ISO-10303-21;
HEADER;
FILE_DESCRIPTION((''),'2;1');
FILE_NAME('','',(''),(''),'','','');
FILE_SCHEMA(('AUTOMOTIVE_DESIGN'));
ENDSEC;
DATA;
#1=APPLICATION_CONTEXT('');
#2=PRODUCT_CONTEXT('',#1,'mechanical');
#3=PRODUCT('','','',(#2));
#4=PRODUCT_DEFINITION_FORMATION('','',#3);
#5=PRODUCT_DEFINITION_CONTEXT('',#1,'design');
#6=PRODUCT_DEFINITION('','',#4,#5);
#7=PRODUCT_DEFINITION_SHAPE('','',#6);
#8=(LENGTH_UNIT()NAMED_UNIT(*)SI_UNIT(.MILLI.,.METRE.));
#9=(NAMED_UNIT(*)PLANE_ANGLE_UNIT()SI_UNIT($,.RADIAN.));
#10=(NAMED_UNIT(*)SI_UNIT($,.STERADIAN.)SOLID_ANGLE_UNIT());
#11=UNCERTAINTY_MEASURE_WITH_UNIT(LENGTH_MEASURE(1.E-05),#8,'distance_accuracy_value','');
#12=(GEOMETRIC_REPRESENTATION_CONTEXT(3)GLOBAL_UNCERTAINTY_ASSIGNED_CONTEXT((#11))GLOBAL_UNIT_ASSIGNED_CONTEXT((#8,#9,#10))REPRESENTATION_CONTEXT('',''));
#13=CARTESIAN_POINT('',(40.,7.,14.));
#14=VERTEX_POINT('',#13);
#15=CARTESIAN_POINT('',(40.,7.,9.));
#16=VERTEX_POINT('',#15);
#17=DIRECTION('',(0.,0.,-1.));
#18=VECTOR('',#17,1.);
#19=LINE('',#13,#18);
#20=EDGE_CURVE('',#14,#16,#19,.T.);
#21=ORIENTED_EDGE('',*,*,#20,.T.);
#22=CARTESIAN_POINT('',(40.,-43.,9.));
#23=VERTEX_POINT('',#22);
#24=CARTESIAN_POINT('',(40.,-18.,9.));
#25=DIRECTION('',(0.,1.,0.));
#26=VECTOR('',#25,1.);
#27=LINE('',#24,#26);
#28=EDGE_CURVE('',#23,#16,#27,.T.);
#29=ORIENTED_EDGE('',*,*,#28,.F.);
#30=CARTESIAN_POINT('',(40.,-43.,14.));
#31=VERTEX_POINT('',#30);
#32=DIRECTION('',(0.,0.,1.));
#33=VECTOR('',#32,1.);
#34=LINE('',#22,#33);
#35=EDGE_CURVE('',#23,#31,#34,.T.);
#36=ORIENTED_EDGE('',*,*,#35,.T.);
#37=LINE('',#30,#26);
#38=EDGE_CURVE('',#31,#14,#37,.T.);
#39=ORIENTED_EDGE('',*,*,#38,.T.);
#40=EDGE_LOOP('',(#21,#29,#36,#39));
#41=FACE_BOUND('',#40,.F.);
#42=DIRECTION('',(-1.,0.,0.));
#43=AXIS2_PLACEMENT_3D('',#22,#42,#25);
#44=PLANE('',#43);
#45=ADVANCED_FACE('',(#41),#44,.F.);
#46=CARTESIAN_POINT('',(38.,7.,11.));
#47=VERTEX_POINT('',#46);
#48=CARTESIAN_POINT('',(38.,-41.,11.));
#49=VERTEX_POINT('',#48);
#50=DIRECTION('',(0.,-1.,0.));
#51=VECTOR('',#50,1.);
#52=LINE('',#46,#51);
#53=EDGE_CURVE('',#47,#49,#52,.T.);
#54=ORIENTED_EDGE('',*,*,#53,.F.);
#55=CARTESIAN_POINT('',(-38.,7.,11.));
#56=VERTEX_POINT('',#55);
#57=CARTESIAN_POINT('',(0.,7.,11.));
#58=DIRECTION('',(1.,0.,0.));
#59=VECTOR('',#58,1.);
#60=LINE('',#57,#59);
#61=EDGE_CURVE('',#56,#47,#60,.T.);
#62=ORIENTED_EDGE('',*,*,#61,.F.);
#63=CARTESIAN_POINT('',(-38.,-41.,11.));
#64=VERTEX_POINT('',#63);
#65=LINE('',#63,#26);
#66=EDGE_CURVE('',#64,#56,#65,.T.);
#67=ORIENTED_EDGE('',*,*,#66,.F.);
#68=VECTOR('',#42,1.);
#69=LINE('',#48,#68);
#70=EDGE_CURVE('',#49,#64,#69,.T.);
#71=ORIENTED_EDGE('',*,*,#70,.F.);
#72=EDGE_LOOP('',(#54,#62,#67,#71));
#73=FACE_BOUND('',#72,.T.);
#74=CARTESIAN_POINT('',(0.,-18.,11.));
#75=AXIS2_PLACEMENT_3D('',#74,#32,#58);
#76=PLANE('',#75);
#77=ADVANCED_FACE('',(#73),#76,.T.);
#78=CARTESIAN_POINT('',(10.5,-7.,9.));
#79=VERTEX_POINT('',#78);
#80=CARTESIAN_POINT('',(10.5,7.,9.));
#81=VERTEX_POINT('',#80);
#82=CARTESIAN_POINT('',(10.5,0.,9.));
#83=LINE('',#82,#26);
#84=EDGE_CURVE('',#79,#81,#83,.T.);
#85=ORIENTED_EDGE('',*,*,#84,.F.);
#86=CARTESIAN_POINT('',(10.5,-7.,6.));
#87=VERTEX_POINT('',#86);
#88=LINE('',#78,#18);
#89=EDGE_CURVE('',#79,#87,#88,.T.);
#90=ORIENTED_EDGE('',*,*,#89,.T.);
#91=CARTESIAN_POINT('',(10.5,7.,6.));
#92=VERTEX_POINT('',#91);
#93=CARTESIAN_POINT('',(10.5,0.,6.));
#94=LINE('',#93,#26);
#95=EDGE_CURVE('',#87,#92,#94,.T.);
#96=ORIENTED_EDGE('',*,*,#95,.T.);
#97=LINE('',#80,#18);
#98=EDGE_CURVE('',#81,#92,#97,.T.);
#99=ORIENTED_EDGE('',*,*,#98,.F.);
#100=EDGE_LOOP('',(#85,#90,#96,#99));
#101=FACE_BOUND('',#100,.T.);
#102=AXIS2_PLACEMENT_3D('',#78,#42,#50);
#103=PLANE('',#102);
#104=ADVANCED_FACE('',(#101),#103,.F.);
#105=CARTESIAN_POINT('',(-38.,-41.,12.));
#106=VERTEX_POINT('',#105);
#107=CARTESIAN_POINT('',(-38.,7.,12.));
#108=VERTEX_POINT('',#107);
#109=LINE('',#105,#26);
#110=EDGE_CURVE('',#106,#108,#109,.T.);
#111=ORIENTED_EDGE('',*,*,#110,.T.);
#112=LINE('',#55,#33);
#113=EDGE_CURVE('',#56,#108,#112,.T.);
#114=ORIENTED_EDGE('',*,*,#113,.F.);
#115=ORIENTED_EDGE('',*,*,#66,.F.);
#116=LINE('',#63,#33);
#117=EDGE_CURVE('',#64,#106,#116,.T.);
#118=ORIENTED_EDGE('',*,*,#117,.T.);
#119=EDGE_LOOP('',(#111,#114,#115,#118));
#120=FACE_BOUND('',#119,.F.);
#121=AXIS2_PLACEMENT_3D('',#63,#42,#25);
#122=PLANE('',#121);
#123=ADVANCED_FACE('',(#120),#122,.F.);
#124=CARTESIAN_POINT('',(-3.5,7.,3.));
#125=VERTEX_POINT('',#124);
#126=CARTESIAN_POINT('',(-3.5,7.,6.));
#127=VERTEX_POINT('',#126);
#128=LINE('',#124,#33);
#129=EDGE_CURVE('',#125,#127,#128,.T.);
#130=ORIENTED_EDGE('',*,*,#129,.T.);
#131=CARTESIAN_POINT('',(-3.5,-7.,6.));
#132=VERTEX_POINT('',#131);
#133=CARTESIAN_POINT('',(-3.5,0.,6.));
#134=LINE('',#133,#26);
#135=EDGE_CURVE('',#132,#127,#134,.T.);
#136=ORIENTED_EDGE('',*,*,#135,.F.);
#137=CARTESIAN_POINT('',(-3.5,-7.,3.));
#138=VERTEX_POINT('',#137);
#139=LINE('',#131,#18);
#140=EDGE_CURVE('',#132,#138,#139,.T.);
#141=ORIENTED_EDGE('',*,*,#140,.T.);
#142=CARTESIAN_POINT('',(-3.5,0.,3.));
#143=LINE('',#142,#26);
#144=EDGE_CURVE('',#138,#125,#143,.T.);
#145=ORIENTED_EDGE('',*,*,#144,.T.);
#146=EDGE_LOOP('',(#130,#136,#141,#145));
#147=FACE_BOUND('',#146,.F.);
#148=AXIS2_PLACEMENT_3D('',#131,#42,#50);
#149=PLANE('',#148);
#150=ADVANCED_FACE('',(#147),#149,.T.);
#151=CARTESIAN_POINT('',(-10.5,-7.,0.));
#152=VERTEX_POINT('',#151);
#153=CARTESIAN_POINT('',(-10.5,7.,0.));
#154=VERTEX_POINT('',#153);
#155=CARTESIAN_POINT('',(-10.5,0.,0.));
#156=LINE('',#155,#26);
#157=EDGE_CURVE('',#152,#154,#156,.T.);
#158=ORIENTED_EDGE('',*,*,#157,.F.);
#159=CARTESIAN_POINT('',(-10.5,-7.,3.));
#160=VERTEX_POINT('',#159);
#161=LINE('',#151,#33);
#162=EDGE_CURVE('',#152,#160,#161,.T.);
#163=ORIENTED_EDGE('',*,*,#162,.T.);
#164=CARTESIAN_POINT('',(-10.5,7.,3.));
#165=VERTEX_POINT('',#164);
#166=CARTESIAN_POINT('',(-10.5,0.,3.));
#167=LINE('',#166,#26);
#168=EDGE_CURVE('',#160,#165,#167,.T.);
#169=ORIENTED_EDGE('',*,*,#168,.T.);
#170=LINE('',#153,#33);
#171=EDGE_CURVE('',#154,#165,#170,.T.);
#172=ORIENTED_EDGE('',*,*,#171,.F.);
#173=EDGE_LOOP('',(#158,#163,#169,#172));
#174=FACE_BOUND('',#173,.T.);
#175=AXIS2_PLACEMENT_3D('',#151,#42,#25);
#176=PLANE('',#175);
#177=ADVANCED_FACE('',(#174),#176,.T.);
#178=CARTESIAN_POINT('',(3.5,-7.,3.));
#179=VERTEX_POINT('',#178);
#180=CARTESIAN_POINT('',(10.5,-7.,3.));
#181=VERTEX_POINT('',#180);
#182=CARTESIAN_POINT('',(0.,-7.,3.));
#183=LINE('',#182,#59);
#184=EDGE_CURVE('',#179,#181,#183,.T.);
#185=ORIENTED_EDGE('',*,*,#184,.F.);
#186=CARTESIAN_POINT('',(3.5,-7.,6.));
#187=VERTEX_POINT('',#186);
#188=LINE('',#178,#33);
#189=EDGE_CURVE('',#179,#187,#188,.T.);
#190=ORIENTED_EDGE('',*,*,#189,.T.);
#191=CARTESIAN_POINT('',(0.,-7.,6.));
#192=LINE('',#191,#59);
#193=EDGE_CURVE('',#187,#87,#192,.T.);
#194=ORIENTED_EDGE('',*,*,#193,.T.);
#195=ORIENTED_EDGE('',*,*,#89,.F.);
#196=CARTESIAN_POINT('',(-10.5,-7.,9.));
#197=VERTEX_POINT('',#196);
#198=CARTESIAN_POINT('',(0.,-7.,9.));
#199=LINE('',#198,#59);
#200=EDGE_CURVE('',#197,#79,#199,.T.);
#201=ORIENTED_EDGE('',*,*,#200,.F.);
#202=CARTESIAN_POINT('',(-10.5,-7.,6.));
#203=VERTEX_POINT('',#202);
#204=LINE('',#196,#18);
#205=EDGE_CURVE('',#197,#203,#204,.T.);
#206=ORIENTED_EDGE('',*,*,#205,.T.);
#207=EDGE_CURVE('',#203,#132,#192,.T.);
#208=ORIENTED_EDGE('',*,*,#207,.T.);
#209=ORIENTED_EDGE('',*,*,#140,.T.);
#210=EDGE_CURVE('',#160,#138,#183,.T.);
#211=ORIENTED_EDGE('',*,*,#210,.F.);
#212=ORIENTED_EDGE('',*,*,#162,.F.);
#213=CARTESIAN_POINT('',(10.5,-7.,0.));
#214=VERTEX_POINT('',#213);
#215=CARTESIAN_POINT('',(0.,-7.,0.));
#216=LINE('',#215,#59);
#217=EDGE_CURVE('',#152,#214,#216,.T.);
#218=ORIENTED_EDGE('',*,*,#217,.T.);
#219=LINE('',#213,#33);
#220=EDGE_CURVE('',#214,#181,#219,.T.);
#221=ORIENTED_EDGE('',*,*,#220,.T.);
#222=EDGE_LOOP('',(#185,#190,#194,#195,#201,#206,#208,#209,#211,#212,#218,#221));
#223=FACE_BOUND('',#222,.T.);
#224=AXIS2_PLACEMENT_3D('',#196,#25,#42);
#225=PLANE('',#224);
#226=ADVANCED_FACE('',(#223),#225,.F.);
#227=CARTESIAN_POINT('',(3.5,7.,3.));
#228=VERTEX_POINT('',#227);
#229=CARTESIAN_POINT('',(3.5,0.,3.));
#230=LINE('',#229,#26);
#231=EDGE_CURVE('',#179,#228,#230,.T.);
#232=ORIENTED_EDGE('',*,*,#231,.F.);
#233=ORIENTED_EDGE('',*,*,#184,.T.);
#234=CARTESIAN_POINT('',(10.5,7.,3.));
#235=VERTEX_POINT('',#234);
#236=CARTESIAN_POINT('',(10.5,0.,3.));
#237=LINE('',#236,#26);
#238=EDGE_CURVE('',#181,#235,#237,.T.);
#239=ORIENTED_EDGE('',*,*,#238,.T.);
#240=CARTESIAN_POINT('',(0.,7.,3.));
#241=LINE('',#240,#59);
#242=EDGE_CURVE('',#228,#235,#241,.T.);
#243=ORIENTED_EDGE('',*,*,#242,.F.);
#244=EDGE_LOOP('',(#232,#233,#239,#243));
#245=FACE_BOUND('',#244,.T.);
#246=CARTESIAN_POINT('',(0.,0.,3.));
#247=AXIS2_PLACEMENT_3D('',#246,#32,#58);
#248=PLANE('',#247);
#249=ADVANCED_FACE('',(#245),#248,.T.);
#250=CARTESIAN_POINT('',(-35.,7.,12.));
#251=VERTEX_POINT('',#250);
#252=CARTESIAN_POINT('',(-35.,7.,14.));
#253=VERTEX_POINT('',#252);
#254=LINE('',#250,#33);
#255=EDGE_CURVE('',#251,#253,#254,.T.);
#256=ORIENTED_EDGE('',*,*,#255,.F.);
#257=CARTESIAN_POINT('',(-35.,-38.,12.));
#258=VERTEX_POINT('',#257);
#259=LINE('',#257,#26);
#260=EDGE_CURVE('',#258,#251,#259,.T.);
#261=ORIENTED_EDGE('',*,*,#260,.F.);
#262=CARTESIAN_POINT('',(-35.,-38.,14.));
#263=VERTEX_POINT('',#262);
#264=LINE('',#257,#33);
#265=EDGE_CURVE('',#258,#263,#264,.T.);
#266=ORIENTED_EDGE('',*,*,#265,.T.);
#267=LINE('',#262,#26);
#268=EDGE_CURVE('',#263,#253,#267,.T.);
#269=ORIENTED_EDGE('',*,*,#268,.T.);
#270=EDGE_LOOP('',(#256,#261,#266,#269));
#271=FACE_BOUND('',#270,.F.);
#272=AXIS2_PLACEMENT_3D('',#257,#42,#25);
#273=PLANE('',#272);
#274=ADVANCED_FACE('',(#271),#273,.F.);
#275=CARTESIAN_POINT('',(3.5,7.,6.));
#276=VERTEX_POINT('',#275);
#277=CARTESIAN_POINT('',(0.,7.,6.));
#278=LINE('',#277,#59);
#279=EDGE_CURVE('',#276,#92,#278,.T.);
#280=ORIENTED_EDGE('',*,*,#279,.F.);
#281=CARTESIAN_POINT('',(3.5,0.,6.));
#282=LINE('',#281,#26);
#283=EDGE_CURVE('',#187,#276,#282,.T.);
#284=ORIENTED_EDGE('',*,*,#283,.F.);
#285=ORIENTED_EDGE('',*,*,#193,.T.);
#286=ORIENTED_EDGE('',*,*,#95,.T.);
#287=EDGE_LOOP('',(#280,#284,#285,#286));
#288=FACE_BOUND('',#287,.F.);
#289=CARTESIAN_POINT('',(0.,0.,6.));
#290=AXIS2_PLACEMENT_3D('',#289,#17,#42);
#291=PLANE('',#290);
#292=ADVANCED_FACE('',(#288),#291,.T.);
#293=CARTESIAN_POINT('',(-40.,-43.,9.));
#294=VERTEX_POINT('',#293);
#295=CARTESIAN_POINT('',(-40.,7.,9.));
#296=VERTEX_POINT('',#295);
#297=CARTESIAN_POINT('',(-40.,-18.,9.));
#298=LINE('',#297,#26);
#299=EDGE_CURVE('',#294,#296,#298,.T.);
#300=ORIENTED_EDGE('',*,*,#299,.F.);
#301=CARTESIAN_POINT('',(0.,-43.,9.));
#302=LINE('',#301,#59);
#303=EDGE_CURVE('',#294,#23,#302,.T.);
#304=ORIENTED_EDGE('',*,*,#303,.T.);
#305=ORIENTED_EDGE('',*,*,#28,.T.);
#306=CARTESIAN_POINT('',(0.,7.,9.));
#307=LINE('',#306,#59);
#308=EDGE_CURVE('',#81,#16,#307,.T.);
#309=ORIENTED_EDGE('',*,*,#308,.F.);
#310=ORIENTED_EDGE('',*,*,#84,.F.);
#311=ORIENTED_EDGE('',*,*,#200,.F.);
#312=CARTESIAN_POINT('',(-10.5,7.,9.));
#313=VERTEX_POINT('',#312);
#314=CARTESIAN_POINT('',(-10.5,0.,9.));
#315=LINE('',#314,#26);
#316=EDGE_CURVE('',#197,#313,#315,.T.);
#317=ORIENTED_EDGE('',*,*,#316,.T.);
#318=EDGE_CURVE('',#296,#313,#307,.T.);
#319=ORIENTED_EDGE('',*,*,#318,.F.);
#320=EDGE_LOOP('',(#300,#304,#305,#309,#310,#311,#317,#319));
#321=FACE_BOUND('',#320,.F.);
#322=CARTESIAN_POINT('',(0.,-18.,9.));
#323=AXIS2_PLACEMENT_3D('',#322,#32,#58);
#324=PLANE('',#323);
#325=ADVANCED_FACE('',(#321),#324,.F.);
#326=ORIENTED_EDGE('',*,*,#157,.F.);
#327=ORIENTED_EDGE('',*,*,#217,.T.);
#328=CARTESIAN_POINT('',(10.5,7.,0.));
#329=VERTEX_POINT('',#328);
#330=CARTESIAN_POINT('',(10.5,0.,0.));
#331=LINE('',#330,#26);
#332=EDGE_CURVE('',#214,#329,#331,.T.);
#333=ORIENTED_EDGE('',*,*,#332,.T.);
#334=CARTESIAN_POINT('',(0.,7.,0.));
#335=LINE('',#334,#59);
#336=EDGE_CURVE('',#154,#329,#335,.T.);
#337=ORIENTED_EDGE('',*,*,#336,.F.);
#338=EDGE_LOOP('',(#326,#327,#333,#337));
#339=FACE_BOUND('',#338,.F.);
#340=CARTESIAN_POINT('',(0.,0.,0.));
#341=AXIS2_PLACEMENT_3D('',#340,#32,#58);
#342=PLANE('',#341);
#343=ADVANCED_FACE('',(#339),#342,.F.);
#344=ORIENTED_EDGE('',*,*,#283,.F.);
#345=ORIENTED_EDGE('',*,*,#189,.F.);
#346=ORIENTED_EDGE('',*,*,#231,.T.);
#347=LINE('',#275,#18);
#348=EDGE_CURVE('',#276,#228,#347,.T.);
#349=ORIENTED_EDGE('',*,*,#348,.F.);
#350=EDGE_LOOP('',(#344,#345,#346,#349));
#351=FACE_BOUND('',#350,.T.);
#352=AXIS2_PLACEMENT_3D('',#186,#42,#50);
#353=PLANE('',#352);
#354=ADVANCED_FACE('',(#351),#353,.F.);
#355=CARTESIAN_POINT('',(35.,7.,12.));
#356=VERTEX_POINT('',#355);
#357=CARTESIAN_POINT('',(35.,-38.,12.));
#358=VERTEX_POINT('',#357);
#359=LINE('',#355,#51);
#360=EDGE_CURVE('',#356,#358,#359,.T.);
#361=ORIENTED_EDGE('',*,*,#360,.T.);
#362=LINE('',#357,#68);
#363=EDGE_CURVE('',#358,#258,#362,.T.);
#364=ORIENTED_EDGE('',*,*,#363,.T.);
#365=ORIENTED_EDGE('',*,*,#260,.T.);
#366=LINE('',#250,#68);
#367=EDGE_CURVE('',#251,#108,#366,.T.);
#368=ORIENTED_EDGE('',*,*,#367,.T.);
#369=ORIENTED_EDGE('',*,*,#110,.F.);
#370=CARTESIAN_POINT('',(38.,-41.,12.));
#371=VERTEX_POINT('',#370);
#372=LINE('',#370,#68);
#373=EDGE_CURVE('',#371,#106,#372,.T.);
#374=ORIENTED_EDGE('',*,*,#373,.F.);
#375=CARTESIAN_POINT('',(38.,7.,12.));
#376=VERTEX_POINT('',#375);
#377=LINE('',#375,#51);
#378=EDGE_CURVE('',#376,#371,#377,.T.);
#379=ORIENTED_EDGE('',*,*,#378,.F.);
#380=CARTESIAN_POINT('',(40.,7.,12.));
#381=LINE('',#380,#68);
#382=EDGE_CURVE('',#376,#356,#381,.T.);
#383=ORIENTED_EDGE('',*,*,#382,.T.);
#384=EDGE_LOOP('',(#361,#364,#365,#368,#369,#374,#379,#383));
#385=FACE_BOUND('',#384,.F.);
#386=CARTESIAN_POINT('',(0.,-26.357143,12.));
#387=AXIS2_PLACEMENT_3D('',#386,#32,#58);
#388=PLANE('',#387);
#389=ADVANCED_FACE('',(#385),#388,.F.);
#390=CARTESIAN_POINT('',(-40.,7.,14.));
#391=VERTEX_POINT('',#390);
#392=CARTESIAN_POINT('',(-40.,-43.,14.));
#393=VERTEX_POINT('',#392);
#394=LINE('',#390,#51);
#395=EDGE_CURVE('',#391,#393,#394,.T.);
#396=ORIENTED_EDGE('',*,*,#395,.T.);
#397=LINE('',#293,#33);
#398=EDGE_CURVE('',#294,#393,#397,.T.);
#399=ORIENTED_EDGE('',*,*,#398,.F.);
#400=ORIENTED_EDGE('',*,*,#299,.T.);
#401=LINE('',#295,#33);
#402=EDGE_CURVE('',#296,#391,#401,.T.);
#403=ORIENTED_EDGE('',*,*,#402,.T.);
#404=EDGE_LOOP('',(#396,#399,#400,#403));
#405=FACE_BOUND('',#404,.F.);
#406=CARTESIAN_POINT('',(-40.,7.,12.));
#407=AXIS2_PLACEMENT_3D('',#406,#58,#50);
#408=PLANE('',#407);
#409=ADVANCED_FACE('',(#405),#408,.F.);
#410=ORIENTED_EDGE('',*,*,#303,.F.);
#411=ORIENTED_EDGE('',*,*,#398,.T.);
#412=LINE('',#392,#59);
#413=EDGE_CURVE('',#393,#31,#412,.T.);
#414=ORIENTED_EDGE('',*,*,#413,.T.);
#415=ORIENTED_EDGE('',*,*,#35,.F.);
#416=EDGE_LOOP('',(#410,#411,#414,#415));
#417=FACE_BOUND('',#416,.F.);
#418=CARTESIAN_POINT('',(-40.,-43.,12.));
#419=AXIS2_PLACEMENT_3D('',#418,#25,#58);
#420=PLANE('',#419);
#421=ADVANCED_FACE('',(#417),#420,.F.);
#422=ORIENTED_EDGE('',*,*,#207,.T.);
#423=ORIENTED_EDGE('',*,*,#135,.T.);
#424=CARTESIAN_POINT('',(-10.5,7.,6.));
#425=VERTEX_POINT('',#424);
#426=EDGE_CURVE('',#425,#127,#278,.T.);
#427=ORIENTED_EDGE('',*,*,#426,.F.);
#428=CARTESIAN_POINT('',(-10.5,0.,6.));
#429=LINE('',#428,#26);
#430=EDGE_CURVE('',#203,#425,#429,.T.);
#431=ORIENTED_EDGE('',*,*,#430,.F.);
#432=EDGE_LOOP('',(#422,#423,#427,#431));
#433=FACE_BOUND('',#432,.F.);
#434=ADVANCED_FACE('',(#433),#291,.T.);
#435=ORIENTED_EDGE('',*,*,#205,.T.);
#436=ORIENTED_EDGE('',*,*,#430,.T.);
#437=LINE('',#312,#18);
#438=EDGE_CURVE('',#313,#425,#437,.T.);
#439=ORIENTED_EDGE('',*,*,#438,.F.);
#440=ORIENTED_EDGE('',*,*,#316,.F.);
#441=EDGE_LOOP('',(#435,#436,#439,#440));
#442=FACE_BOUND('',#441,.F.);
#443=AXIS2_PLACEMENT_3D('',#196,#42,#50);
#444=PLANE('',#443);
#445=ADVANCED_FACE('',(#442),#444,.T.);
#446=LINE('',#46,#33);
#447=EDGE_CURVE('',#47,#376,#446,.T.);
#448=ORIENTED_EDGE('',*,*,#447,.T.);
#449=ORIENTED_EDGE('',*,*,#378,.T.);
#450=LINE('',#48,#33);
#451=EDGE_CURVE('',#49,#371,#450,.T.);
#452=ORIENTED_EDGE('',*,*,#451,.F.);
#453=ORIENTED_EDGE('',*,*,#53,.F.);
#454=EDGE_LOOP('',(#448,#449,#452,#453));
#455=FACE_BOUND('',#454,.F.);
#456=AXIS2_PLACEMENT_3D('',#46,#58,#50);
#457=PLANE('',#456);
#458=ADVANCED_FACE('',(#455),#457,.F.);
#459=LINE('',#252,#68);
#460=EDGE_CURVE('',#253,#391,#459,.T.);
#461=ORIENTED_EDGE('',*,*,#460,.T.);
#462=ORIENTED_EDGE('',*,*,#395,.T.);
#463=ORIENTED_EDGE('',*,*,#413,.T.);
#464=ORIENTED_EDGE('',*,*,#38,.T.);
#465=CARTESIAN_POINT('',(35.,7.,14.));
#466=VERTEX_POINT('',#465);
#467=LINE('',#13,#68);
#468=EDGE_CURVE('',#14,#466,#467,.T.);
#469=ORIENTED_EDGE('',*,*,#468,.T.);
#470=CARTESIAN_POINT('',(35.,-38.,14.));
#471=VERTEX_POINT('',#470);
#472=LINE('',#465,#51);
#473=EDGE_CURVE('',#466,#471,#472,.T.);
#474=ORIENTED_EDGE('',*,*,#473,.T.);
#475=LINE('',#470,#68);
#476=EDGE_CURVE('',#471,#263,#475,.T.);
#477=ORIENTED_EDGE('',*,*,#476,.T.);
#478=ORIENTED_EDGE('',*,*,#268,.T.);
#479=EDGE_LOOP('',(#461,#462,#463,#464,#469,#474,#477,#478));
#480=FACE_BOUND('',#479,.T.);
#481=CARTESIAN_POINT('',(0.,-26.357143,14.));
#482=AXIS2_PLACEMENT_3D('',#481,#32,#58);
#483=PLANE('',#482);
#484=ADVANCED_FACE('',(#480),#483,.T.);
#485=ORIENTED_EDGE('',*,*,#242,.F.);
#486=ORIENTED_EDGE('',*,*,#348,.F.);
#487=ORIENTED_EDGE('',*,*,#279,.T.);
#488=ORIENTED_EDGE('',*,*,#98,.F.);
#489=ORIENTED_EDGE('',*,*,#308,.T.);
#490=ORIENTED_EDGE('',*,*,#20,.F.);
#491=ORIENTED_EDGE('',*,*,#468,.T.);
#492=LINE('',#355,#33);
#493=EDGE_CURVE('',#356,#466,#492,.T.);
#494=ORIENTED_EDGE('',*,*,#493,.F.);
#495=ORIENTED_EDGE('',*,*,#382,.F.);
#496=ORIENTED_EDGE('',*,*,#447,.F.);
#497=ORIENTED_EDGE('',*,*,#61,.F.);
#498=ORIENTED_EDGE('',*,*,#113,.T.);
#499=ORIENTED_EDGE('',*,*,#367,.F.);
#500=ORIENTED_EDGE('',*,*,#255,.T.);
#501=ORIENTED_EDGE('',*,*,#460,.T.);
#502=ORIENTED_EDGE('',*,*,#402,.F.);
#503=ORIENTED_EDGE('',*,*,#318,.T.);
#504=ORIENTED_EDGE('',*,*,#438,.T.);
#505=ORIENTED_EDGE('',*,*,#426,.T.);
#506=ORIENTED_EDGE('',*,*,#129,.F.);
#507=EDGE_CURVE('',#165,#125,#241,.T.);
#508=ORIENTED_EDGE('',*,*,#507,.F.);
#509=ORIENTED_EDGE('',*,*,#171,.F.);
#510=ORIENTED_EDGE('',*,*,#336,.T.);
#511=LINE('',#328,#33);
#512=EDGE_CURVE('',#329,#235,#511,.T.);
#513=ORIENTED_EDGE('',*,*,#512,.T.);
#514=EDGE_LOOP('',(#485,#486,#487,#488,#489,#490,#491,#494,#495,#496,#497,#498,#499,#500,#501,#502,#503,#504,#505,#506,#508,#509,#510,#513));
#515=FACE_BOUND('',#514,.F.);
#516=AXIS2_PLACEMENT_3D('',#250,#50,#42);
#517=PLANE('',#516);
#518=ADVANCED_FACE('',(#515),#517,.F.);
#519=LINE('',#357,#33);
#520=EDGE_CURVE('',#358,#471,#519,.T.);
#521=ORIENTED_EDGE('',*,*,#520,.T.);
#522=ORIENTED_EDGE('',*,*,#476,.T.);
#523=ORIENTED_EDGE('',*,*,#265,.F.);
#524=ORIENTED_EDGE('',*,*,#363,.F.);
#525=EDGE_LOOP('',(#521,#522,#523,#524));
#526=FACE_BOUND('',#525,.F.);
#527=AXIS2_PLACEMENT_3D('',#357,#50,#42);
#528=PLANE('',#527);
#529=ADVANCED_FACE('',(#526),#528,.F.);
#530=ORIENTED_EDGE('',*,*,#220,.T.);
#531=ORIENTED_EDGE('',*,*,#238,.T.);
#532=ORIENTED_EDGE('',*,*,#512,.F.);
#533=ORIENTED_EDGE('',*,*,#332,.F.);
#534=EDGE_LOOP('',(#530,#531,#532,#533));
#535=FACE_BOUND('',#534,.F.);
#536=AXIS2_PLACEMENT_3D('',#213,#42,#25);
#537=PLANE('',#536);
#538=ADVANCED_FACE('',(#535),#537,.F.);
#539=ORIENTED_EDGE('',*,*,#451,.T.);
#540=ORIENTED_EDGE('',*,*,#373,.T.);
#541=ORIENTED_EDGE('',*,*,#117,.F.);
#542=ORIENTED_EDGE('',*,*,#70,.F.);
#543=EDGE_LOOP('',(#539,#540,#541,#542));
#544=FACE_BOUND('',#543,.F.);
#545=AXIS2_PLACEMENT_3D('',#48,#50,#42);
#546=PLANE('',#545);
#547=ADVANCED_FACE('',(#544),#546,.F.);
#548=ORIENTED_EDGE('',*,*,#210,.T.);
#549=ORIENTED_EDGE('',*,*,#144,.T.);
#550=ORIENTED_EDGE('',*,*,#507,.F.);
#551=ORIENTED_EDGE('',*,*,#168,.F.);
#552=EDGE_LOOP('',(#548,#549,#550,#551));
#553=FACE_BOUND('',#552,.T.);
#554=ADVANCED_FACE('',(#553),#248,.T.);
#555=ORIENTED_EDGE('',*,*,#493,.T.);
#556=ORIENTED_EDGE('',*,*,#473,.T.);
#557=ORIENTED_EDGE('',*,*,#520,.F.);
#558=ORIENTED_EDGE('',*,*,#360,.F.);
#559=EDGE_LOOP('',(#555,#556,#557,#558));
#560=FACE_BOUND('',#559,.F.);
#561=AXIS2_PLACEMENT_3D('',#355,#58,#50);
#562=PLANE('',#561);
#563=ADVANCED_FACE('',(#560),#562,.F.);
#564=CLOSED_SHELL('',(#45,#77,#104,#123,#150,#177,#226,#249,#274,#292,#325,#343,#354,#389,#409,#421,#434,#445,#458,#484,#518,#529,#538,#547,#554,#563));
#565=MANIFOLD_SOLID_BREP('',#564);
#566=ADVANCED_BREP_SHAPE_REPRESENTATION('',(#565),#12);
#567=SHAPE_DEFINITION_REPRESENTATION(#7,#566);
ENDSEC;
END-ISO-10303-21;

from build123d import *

# Parameters (mm, degrees)
F0_W      = 21
F0_H      = 14
F1_DEPTH  = 3
F2_W      = 7
F2_H      = 14
F3_DEPTH  = 1.5
F5_W      = 80
F5_H      = 50
F6_DEPTH  = 2
F8_DEPTH  = 1
F10_DEPTH = 2


with BuildPart() as f1:
    # F0 (on Top) → F1 (new body)
    with BuildSketch(Plane.XY):
        Rectangle(F0_W, F0_H)
    extrude(amount=F1_DEPTH)

    # F2 (on face) → F3 (join)
    with BuildSketch(Plane.XY.offset(3)):
        Rectangle(F2_W, F2_H)
    extrude(amount=F3_DEPTH)

    # F4: F1 across face


with BuildPart() as f1_1:
    add(f1.part)
    add(f1.part.mirror(Plane.XY.offset(4.5)))

    # F5 (on face) → F6 (join)
    with BuildSketch(Plane.XY.offset(9)):
        with Locations((0, -18)):
            Rectangle(F5_W, F5_H)
    extrude(amount=F6_DEPTH)

    # F7 (on face) → F8 (join)
    with BuildSketch(Plane.XY.offset(11)):
        Polygon((-38, 7), (-40, 7), (-40, -43), (40, -43), (40, 7), (38, 7), (38, -41), (-38, -41), align=None)
    extrude(amount=F8_DEPTH)

    # F9 (on face) → F10 (join)
    with BuildSketch(Plane.XY.offset(12)):
        Polygon((-35, 7), (-40, 7), (-40, -43), (40, -43), (40, 7), (35, 7), (35, -38), (-35, -38), align=None)
    extrude(amount=F10_DEPTH)


solid = f1_1.part
